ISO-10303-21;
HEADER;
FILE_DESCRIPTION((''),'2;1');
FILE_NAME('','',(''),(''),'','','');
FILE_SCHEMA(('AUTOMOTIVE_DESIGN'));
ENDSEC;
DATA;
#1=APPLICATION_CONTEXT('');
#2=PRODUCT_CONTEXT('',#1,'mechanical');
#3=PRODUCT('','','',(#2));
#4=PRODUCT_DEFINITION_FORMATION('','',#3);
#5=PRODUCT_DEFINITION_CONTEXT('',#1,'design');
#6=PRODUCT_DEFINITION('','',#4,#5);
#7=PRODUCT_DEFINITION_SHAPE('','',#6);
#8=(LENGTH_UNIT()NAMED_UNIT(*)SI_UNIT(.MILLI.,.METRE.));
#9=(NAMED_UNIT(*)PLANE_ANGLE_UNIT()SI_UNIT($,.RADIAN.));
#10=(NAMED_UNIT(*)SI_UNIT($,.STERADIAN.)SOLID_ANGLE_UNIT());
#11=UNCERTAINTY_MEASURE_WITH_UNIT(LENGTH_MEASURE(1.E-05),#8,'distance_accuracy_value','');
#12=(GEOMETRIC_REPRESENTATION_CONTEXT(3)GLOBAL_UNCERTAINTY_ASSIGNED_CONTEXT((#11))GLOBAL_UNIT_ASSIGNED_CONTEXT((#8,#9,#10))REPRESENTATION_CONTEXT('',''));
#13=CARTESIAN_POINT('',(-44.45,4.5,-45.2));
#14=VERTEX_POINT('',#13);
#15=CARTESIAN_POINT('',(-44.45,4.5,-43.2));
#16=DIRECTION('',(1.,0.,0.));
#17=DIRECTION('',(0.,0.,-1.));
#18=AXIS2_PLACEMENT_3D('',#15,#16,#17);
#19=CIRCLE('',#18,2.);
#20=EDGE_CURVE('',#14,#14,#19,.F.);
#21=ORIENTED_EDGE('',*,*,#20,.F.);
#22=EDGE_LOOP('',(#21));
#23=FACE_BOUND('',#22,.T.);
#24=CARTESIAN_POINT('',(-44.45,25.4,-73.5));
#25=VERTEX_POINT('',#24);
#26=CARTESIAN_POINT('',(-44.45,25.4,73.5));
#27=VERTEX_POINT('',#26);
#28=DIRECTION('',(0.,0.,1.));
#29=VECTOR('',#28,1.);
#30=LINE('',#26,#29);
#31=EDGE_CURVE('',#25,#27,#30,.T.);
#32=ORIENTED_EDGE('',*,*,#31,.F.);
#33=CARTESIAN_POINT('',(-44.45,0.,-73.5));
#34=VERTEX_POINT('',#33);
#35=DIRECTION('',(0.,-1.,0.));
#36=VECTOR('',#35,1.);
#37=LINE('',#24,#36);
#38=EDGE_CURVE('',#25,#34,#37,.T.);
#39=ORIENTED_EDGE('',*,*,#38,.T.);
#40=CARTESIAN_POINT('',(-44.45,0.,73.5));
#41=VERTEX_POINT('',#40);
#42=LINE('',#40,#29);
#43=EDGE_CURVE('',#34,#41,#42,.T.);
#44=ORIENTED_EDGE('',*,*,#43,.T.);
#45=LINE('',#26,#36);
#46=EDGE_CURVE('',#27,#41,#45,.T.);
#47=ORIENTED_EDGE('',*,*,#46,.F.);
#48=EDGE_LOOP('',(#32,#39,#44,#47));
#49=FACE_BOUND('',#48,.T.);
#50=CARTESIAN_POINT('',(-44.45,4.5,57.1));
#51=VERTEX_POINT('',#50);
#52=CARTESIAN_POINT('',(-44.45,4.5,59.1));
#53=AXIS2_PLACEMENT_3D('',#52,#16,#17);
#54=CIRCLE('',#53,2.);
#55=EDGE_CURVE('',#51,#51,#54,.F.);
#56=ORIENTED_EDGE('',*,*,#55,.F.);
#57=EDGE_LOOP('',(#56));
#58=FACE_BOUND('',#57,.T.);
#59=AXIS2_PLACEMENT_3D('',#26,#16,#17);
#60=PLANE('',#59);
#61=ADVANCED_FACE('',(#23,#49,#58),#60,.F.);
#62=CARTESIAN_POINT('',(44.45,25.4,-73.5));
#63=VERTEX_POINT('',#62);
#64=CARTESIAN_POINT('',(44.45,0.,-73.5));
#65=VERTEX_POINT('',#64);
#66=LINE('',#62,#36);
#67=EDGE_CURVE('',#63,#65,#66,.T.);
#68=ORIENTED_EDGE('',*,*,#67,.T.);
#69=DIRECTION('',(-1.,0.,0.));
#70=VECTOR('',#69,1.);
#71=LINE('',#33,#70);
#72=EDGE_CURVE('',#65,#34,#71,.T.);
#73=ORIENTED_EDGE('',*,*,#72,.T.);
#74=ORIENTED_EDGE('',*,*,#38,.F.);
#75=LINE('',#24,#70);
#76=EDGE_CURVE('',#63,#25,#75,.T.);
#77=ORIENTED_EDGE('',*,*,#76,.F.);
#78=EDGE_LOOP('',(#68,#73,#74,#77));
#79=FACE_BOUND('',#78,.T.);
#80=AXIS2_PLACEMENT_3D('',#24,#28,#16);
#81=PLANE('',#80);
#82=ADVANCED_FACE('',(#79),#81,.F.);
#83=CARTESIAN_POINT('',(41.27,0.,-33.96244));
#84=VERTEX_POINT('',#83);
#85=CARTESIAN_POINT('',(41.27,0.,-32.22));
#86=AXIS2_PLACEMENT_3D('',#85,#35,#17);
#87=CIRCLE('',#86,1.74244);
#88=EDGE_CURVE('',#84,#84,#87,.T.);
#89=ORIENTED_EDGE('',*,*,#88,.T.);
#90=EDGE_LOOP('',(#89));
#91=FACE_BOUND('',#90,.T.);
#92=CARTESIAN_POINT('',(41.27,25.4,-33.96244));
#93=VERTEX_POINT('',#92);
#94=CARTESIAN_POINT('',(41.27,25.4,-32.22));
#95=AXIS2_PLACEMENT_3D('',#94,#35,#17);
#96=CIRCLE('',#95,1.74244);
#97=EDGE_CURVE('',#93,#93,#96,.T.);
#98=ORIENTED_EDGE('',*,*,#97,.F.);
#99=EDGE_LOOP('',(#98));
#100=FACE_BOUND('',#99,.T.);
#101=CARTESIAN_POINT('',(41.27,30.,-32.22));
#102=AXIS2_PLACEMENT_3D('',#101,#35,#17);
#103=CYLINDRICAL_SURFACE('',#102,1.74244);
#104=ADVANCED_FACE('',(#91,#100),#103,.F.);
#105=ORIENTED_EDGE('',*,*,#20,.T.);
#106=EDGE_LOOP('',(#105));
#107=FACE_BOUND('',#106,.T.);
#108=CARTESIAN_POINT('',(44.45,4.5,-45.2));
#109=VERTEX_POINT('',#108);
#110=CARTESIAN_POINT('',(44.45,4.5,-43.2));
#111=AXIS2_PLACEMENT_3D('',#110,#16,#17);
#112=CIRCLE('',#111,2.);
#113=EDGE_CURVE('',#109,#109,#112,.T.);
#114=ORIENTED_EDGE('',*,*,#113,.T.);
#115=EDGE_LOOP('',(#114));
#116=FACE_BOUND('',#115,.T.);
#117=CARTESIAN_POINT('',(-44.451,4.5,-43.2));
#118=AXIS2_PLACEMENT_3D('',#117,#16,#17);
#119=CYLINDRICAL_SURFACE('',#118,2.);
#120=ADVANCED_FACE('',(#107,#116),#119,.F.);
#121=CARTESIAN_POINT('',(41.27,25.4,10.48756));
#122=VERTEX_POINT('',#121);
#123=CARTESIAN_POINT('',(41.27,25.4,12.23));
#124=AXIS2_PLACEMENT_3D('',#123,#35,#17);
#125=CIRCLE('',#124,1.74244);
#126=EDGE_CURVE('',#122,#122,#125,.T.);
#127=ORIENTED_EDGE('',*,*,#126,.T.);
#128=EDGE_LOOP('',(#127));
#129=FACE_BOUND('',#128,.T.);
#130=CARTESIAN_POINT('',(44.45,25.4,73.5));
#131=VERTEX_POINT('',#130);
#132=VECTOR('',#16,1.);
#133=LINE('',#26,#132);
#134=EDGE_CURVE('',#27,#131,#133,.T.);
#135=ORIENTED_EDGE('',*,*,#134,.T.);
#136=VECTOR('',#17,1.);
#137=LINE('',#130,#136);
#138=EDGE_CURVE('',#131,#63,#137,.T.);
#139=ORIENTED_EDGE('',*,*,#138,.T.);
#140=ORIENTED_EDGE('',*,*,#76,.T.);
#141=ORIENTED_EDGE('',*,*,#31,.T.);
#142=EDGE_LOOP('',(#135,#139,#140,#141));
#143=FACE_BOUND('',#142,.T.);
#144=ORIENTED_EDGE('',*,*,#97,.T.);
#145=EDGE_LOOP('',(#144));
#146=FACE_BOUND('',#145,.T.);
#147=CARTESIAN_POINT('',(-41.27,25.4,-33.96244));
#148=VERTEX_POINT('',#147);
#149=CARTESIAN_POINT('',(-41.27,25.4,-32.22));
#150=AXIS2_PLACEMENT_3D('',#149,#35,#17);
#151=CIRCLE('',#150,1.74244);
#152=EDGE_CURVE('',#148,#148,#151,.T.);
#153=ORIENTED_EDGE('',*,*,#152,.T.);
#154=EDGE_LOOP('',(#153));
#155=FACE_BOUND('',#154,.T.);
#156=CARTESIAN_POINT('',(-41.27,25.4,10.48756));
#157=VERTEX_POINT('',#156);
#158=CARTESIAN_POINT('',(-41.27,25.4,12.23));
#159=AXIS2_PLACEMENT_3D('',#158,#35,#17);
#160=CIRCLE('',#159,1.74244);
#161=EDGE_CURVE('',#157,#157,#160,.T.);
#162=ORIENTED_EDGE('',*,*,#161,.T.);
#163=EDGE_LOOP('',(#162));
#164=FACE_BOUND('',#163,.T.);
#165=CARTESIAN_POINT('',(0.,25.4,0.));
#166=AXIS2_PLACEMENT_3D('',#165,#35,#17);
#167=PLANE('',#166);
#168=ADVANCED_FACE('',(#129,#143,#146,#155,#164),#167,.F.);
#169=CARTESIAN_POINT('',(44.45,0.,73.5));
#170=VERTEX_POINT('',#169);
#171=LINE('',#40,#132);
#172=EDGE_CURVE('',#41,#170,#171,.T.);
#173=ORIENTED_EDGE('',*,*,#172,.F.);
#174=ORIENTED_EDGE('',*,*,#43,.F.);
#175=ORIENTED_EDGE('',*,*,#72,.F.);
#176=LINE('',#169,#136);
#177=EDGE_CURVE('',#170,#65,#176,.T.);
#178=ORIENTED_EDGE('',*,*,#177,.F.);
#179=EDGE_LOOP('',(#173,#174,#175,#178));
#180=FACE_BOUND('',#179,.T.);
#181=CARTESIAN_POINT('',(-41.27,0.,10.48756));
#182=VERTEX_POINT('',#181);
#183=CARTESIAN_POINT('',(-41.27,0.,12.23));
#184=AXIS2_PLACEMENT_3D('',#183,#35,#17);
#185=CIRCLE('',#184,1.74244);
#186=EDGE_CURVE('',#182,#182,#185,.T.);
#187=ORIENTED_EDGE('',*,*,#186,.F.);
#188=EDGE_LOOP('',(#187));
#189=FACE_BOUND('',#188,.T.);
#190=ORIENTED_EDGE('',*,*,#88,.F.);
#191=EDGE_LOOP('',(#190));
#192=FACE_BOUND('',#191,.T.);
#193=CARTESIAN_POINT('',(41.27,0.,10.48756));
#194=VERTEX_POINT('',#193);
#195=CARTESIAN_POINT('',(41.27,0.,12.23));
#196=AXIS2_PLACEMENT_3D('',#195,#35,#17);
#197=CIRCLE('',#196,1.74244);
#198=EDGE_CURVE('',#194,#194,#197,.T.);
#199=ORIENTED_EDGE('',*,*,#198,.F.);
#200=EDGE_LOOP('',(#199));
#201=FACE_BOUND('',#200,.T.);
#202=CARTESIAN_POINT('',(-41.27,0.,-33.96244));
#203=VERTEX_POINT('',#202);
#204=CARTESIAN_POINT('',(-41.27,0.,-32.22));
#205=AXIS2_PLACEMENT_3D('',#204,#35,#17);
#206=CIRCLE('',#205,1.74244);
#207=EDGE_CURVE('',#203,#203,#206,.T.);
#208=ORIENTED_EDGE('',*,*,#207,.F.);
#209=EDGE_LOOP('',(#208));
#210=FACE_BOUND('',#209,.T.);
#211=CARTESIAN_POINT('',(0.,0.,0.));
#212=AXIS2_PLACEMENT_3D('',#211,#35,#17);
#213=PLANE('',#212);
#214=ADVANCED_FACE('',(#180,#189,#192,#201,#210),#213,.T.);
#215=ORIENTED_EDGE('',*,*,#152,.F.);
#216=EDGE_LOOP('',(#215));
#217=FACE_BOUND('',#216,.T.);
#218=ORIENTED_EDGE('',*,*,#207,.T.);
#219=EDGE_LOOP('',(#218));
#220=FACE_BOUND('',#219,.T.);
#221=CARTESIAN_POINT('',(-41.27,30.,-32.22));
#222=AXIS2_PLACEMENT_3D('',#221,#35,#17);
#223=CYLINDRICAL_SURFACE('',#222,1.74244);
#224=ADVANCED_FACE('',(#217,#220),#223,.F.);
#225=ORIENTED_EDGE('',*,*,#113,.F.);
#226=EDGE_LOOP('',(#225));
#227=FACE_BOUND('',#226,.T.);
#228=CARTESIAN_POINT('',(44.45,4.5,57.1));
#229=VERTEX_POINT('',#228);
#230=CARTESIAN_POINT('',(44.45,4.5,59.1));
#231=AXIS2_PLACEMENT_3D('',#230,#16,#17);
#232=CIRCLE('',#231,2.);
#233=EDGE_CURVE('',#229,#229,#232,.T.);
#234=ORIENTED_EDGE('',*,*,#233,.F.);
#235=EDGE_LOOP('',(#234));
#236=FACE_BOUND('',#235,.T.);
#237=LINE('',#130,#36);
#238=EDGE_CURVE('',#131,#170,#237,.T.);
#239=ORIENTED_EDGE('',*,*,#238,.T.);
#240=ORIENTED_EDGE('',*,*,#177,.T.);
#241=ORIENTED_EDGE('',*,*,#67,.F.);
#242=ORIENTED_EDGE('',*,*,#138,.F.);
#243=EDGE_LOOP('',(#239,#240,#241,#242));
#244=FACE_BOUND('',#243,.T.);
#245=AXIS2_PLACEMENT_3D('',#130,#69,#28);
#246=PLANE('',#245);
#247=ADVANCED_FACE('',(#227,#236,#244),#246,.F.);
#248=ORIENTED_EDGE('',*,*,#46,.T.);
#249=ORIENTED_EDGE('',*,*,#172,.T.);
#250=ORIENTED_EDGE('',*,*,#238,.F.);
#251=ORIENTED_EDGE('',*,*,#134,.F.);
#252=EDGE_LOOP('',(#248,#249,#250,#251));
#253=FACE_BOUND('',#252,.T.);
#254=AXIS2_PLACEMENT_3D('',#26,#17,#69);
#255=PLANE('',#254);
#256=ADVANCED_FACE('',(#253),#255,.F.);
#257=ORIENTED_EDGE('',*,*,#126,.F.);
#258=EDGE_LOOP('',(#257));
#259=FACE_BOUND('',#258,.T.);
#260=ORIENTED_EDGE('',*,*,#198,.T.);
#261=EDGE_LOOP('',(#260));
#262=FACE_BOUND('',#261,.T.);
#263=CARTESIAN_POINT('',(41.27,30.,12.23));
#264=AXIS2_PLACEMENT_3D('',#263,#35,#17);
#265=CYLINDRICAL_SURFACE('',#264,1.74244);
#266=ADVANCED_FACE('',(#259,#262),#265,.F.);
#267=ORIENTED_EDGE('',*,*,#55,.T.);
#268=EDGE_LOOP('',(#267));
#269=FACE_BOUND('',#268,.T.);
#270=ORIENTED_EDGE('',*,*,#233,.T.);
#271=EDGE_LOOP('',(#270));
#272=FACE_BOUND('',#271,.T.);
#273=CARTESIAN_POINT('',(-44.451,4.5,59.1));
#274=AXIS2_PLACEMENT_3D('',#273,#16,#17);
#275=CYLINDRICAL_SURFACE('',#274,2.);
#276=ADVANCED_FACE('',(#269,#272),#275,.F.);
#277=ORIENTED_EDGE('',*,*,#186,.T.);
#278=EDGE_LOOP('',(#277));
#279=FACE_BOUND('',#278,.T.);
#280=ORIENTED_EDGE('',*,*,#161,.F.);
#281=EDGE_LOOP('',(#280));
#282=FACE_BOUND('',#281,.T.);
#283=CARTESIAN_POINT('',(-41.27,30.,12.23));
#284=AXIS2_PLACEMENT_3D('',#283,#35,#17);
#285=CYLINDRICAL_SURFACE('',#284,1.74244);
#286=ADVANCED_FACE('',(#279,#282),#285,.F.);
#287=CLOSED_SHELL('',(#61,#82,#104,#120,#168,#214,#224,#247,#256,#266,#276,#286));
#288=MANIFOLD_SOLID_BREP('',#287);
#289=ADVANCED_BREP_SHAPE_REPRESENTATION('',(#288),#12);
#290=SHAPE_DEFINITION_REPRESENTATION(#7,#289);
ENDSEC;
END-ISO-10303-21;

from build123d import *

# Parameters (mm, degrees)
SKETCH1_W           = 88.9
SKETCH1_H           = 147
BOSS_EXTRUDE1_DEPTH = 25.4
SKETCH2_R           = 1.74244
CUT_EXTRUDE1_DEPTH  = 30
CUT_EXTRUDE2_REACH  = 90.9
SKETCH3_R           = 2


with BuildPart() as part:
    # Sketch1 → Boss-Extrude1 (new body)
    with BuildSketch(Plane(origin=(0, 0, 0), x_dir=(1, 0, 0), z_dir=(0, 1, 0))):
        Rectangle(SKETCH1_W, SKETCH1_H)
    extrude(amount=BOSS_EXTRUDE1_DEPTH)

    # Sketch2 → Cut-Extrude1 (cut)
    with BuildSketch(Plane.XZ):
        with Locations((41.27, -32.22)):
            Circle(SKETCH2_R)
        with Locations((41.27, 12.23)):
            Circle(SKETCH2_R)
        with Locations((-41.27, -32.22)):
            Circle(SKETCH2_R)
        with Locations((-41.27, 12.23)):
            Circle(SKETCH2_R)
    extrude(amount=-CUT_EXTRUDE1_DEPTH, mode=Mode.SUBTRACT)

    # Sketch3 → Cut-Extrude2 (cut, up to next)
    with BuildSketch(Plane(origin=(44.45, 0, 0), x_dir=(0, 0, -1), z_dir=(1, 0, 0)), mode=Mode.PRIVATE) as cut_extrude2_sk1:
        with Locations((-59.1, 4.5)):
            Circle(SKETCH3_R)
    cut_extrude2_tool1 = extrude(cut_extrude2_sk1.sketch, amount=-CUT_EXTRUDE2_REACH, mode=Mode.PRIVATE) & part.part
    add(cut_extrude2_tool1.solids().sort_by_distance((44.45, 4.5, 59.1))[0], mode=Mode.SUBTRACT)
    # Sketch3 → Cut-Extrude2 (cut, up to next)
    with BuildSketch(Plane(origin=(44.45, 0, 0), x_dir=(0, 0, -1), z_dir=(1, 0, 0)), mode=Mode.PRIVATE) as cut_extrude2_sk2:
        with Locations((43.2, 4.5)):
            Circle(SKETCH3_R)
    cut_extrude2_tool2 = extrude(cut_extrude2_sk2.sketch, amount=-CUT_EXTRUDE2_REACH, mode=Mode.PRIVATE) & part.part
    add(cut_extrude2_tool2.solids().sort_by_distance((44.45, 4.5, -43.2))[0], mode=Mode.SUBTRACT)


solid = part.part
